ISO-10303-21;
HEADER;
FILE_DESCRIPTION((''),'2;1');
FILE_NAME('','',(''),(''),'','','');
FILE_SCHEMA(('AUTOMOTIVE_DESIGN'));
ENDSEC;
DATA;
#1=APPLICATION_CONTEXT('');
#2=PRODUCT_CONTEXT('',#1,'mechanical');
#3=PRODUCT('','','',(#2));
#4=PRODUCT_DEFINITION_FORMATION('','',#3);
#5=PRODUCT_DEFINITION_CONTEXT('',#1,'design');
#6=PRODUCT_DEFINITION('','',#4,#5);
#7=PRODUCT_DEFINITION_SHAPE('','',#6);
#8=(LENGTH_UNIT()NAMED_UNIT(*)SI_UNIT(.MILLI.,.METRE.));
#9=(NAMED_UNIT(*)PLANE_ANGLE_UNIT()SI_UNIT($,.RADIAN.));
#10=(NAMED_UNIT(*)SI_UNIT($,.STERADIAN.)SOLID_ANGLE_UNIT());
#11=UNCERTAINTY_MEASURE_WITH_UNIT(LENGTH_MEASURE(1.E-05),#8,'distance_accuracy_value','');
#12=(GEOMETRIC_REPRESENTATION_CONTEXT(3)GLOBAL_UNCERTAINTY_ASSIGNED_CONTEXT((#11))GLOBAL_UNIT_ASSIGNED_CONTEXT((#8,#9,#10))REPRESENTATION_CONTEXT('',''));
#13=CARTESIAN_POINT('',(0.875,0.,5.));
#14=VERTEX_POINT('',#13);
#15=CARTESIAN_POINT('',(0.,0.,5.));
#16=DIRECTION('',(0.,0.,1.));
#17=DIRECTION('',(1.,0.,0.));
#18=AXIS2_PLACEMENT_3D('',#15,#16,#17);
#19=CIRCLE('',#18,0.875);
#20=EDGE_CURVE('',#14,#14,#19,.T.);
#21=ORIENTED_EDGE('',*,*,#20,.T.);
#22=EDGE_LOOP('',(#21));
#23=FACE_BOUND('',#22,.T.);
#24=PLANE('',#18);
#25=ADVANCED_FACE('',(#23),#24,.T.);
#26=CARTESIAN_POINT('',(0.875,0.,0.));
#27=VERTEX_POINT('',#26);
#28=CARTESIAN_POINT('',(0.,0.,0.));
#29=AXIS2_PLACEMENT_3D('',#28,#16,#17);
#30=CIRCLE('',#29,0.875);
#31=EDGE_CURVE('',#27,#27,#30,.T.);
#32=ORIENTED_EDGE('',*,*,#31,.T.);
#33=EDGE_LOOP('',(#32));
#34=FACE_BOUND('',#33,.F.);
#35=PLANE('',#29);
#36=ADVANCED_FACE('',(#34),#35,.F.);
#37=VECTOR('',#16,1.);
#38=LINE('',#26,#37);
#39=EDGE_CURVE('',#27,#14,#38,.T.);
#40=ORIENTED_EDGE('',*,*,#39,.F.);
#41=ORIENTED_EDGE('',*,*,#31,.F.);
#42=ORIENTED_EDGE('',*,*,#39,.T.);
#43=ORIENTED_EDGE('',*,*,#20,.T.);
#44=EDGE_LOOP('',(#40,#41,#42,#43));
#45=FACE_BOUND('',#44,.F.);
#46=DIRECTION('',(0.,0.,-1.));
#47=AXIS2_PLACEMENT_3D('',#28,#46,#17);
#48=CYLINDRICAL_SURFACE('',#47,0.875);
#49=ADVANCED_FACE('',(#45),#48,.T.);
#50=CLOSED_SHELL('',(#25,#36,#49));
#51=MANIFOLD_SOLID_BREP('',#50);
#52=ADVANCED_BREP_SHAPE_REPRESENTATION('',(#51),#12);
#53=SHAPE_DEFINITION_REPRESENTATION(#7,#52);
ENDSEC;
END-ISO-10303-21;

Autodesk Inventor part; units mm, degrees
ref_plane "YZ Plane" through (0, 0, 0) normal (1, 0, 0) x (0, 1, 0)
ref_plane "XZ Plane" through (0, 0, 0) normal (0, 1, 0) x (-1, 0, 0)
ref_plane "XY Plane" through (0, 0, 0) normal (0, 0, 1) x (1, 0, 0)
sketch "Sketch1" plane through (0, 0, 0) normal (0, 0, 1) x (1, 0, 0)
  circle A0 centre (0, 0) radius 0.875
  dimension "d0" = 1.75
extrude "Extrusion1" add sketch "Sketch1" along normal blind 5
sketch "Sketch2" plane through (0, 0, 0) normal (0, 0, -1) x (-1, 0, 0)
  circle A0 centre (0, 0) radius 0.875 projected
properties part number "redlead"
